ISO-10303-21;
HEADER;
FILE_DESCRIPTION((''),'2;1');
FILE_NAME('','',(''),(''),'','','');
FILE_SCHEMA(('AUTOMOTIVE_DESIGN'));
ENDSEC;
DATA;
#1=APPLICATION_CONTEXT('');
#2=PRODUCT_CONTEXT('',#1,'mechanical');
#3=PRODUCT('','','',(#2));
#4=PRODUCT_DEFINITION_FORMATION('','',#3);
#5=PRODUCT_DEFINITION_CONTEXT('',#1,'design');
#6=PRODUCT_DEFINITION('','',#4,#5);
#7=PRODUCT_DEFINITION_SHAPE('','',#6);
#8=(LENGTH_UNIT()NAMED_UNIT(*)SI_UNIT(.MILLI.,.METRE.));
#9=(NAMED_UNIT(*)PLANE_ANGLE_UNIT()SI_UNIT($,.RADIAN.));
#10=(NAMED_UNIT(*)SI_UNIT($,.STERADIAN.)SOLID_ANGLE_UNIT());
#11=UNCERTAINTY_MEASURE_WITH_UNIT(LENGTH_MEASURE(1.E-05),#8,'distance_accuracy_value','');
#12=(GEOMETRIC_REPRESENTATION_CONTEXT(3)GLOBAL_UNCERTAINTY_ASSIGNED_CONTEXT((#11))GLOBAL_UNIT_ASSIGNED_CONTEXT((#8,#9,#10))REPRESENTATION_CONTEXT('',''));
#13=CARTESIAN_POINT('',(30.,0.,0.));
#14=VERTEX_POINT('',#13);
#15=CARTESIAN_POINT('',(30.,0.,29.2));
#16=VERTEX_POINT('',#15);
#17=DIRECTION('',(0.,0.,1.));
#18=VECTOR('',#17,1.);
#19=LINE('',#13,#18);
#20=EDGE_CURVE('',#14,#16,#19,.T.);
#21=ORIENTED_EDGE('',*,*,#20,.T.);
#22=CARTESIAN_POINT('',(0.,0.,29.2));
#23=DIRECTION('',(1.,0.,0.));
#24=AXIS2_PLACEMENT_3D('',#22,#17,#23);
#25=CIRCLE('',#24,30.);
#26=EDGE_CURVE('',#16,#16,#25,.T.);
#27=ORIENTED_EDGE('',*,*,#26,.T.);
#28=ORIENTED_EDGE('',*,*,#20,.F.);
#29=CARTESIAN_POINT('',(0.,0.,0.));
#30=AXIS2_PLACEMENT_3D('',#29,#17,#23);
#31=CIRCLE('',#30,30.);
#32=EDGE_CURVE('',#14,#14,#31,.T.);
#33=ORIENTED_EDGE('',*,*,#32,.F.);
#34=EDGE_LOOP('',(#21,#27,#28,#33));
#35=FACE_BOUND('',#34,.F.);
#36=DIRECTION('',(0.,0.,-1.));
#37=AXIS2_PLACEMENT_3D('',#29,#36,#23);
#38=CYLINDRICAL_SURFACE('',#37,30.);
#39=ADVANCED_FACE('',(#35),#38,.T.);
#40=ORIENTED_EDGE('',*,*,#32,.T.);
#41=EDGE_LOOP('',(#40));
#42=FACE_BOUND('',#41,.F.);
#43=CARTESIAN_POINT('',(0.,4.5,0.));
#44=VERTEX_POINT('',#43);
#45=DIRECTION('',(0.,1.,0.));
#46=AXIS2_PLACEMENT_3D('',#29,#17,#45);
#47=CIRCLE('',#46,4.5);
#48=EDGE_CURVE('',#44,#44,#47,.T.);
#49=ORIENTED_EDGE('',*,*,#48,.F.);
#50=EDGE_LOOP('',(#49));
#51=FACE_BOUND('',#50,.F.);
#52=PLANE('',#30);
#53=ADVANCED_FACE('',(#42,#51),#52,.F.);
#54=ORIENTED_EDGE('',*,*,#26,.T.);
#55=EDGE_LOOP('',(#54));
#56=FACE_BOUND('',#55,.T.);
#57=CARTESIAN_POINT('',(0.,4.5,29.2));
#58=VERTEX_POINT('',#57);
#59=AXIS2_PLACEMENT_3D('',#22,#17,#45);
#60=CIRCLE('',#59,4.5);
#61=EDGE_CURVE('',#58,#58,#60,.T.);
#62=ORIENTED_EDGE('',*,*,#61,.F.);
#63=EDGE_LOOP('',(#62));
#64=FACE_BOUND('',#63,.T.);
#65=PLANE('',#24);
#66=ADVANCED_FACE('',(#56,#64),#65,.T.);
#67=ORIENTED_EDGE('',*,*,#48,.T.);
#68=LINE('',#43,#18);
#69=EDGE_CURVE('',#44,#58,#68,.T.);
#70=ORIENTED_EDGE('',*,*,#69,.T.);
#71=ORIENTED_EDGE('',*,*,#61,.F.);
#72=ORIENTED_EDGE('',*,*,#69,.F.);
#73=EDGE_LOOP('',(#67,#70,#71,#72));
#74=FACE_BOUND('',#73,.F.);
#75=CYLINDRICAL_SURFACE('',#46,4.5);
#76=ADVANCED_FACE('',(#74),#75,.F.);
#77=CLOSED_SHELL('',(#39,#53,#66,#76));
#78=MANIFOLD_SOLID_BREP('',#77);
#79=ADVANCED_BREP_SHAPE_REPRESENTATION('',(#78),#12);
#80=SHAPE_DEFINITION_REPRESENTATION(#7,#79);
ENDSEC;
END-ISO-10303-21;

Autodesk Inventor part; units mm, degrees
ref_plane "YZ Plane" through (0, 0, 0) normal (1, 0, 0) x (0, 1, 0)
ref_plane "XZ Plane" through (0, 0, 0) normal (0, 1, 0) x (-1, 0, 0)
ref_plane "XY Plane" through (0, 0, 0) normal (0, 0, 1) x (1, 0, 0)
sketch "Skizze1" plane through (0, 0, 0) normal (0, 0, 1) x (1, 0, 0)
  circle A0 centre (0, 0) radius 30
  dimension "d0" = 60
extrude "Extrusion1" add sketch "Skizze1" along normal blind 29.2
hole "Bohrung1" at (0, 0, 0) direction (0, 0, 1) diameter 9 end through all clearance for "Inbusschraube DIN EN ISO 4762" size "M8" standard "DIN"
properties part number "DPMAxis1_Weights" material "Messing, weicher Gelbton"
